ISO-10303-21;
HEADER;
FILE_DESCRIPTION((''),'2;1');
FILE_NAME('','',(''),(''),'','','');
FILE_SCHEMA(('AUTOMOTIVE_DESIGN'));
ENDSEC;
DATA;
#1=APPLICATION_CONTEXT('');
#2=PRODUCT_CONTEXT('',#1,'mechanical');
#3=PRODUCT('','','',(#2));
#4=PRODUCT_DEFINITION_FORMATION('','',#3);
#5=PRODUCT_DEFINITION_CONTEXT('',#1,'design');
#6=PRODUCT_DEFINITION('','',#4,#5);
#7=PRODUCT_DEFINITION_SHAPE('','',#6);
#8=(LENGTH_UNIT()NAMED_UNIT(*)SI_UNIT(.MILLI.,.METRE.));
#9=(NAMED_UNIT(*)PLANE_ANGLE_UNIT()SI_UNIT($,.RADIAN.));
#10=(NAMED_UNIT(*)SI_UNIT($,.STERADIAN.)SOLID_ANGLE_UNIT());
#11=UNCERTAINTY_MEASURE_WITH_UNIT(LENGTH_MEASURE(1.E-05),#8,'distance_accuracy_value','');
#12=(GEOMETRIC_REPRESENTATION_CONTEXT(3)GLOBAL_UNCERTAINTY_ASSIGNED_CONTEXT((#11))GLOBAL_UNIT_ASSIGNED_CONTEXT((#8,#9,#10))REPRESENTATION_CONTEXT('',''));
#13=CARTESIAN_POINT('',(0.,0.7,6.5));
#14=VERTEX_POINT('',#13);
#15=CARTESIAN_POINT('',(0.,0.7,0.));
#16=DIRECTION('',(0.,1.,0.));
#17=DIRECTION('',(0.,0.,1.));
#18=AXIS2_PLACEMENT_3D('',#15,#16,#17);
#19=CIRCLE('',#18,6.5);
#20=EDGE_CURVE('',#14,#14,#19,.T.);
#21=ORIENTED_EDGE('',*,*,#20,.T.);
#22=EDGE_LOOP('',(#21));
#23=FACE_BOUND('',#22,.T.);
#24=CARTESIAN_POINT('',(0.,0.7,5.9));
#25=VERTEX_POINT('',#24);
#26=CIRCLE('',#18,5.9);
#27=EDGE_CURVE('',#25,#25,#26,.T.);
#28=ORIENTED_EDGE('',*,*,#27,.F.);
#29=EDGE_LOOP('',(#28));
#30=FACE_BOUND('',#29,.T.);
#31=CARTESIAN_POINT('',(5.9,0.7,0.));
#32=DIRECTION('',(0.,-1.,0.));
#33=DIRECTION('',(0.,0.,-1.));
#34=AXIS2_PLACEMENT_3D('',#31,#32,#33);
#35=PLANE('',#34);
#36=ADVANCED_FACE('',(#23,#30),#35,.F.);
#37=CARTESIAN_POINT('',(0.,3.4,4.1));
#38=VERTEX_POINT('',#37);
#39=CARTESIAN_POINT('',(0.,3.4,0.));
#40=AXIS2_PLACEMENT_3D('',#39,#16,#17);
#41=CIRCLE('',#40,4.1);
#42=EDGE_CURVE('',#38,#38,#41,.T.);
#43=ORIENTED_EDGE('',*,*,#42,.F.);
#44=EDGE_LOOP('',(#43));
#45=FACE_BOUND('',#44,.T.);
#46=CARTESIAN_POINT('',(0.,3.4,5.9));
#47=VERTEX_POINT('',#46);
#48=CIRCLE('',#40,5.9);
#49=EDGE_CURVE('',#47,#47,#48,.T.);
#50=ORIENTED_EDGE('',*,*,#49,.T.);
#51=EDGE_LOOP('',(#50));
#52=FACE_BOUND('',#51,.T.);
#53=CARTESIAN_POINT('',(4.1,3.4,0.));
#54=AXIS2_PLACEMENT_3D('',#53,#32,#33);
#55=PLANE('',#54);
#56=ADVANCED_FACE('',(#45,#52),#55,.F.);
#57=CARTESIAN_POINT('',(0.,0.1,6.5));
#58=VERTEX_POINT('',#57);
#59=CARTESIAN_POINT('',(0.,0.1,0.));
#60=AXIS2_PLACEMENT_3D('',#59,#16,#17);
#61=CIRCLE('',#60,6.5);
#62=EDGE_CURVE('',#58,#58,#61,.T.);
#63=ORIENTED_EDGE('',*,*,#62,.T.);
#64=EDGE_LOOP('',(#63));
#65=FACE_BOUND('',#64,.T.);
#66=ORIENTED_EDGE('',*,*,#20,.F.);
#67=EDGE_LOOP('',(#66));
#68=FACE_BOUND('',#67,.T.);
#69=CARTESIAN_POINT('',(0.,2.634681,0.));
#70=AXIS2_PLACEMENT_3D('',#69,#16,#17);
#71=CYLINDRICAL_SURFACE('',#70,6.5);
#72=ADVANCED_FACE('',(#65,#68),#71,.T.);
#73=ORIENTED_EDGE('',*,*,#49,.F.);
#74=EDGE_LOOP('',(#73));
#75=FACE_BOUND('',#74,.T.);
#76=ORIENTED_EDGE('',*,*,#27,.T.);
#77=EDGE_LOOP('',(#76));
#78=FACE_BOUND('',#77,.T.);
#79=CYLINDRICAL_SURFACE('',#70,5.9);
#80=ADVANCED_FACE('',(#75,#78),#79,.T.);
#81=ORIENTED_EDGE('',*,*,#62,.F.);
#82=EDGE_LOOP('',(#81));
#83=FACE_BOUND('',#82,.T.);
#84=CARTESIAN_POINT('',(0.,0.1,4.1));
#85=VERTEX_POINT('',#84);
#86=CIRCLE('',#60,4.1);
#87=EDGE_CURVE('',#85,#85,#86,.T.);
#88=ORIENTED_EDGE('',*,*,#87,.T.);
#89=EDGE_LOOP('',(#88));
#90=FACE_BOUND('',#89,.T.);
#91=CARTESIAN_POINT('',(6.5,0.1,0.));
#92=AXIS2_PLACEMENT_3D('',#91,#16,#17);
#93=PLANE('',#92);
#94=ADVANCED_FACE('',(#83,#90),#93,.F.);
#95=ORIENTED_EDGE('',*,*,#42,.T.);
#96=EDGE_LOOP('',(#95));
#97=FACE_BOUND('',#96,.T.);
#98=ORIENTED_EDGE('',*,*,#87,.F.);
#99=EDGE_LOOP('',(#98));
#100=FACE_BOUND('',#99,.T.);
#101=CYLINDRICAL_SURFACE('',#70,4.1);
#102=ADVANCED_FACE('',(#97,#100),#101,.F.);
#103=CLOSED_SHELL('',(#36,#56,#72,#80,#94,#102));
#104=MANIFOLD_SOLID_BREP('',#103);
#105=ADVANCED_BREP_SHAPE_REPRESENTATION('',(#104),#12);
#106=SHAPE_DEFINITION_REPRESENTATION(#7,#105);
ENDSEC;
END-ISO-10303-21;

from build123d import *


with BuildPart() as part:
    # Sketch1 → Revolve1 (revolve)
    with BuildSketch(Plane.XY):
        Polygon((4.1, 0.1), (4.1, 3.4), (5.9, 3.4), (5.9, 0.7), (6.5, 0.7), (6.5, 0.1), align=None)
    revolve(axis=Axis((0, 2.634680759, 0), (0, -1, 0)))


solid = part.part
